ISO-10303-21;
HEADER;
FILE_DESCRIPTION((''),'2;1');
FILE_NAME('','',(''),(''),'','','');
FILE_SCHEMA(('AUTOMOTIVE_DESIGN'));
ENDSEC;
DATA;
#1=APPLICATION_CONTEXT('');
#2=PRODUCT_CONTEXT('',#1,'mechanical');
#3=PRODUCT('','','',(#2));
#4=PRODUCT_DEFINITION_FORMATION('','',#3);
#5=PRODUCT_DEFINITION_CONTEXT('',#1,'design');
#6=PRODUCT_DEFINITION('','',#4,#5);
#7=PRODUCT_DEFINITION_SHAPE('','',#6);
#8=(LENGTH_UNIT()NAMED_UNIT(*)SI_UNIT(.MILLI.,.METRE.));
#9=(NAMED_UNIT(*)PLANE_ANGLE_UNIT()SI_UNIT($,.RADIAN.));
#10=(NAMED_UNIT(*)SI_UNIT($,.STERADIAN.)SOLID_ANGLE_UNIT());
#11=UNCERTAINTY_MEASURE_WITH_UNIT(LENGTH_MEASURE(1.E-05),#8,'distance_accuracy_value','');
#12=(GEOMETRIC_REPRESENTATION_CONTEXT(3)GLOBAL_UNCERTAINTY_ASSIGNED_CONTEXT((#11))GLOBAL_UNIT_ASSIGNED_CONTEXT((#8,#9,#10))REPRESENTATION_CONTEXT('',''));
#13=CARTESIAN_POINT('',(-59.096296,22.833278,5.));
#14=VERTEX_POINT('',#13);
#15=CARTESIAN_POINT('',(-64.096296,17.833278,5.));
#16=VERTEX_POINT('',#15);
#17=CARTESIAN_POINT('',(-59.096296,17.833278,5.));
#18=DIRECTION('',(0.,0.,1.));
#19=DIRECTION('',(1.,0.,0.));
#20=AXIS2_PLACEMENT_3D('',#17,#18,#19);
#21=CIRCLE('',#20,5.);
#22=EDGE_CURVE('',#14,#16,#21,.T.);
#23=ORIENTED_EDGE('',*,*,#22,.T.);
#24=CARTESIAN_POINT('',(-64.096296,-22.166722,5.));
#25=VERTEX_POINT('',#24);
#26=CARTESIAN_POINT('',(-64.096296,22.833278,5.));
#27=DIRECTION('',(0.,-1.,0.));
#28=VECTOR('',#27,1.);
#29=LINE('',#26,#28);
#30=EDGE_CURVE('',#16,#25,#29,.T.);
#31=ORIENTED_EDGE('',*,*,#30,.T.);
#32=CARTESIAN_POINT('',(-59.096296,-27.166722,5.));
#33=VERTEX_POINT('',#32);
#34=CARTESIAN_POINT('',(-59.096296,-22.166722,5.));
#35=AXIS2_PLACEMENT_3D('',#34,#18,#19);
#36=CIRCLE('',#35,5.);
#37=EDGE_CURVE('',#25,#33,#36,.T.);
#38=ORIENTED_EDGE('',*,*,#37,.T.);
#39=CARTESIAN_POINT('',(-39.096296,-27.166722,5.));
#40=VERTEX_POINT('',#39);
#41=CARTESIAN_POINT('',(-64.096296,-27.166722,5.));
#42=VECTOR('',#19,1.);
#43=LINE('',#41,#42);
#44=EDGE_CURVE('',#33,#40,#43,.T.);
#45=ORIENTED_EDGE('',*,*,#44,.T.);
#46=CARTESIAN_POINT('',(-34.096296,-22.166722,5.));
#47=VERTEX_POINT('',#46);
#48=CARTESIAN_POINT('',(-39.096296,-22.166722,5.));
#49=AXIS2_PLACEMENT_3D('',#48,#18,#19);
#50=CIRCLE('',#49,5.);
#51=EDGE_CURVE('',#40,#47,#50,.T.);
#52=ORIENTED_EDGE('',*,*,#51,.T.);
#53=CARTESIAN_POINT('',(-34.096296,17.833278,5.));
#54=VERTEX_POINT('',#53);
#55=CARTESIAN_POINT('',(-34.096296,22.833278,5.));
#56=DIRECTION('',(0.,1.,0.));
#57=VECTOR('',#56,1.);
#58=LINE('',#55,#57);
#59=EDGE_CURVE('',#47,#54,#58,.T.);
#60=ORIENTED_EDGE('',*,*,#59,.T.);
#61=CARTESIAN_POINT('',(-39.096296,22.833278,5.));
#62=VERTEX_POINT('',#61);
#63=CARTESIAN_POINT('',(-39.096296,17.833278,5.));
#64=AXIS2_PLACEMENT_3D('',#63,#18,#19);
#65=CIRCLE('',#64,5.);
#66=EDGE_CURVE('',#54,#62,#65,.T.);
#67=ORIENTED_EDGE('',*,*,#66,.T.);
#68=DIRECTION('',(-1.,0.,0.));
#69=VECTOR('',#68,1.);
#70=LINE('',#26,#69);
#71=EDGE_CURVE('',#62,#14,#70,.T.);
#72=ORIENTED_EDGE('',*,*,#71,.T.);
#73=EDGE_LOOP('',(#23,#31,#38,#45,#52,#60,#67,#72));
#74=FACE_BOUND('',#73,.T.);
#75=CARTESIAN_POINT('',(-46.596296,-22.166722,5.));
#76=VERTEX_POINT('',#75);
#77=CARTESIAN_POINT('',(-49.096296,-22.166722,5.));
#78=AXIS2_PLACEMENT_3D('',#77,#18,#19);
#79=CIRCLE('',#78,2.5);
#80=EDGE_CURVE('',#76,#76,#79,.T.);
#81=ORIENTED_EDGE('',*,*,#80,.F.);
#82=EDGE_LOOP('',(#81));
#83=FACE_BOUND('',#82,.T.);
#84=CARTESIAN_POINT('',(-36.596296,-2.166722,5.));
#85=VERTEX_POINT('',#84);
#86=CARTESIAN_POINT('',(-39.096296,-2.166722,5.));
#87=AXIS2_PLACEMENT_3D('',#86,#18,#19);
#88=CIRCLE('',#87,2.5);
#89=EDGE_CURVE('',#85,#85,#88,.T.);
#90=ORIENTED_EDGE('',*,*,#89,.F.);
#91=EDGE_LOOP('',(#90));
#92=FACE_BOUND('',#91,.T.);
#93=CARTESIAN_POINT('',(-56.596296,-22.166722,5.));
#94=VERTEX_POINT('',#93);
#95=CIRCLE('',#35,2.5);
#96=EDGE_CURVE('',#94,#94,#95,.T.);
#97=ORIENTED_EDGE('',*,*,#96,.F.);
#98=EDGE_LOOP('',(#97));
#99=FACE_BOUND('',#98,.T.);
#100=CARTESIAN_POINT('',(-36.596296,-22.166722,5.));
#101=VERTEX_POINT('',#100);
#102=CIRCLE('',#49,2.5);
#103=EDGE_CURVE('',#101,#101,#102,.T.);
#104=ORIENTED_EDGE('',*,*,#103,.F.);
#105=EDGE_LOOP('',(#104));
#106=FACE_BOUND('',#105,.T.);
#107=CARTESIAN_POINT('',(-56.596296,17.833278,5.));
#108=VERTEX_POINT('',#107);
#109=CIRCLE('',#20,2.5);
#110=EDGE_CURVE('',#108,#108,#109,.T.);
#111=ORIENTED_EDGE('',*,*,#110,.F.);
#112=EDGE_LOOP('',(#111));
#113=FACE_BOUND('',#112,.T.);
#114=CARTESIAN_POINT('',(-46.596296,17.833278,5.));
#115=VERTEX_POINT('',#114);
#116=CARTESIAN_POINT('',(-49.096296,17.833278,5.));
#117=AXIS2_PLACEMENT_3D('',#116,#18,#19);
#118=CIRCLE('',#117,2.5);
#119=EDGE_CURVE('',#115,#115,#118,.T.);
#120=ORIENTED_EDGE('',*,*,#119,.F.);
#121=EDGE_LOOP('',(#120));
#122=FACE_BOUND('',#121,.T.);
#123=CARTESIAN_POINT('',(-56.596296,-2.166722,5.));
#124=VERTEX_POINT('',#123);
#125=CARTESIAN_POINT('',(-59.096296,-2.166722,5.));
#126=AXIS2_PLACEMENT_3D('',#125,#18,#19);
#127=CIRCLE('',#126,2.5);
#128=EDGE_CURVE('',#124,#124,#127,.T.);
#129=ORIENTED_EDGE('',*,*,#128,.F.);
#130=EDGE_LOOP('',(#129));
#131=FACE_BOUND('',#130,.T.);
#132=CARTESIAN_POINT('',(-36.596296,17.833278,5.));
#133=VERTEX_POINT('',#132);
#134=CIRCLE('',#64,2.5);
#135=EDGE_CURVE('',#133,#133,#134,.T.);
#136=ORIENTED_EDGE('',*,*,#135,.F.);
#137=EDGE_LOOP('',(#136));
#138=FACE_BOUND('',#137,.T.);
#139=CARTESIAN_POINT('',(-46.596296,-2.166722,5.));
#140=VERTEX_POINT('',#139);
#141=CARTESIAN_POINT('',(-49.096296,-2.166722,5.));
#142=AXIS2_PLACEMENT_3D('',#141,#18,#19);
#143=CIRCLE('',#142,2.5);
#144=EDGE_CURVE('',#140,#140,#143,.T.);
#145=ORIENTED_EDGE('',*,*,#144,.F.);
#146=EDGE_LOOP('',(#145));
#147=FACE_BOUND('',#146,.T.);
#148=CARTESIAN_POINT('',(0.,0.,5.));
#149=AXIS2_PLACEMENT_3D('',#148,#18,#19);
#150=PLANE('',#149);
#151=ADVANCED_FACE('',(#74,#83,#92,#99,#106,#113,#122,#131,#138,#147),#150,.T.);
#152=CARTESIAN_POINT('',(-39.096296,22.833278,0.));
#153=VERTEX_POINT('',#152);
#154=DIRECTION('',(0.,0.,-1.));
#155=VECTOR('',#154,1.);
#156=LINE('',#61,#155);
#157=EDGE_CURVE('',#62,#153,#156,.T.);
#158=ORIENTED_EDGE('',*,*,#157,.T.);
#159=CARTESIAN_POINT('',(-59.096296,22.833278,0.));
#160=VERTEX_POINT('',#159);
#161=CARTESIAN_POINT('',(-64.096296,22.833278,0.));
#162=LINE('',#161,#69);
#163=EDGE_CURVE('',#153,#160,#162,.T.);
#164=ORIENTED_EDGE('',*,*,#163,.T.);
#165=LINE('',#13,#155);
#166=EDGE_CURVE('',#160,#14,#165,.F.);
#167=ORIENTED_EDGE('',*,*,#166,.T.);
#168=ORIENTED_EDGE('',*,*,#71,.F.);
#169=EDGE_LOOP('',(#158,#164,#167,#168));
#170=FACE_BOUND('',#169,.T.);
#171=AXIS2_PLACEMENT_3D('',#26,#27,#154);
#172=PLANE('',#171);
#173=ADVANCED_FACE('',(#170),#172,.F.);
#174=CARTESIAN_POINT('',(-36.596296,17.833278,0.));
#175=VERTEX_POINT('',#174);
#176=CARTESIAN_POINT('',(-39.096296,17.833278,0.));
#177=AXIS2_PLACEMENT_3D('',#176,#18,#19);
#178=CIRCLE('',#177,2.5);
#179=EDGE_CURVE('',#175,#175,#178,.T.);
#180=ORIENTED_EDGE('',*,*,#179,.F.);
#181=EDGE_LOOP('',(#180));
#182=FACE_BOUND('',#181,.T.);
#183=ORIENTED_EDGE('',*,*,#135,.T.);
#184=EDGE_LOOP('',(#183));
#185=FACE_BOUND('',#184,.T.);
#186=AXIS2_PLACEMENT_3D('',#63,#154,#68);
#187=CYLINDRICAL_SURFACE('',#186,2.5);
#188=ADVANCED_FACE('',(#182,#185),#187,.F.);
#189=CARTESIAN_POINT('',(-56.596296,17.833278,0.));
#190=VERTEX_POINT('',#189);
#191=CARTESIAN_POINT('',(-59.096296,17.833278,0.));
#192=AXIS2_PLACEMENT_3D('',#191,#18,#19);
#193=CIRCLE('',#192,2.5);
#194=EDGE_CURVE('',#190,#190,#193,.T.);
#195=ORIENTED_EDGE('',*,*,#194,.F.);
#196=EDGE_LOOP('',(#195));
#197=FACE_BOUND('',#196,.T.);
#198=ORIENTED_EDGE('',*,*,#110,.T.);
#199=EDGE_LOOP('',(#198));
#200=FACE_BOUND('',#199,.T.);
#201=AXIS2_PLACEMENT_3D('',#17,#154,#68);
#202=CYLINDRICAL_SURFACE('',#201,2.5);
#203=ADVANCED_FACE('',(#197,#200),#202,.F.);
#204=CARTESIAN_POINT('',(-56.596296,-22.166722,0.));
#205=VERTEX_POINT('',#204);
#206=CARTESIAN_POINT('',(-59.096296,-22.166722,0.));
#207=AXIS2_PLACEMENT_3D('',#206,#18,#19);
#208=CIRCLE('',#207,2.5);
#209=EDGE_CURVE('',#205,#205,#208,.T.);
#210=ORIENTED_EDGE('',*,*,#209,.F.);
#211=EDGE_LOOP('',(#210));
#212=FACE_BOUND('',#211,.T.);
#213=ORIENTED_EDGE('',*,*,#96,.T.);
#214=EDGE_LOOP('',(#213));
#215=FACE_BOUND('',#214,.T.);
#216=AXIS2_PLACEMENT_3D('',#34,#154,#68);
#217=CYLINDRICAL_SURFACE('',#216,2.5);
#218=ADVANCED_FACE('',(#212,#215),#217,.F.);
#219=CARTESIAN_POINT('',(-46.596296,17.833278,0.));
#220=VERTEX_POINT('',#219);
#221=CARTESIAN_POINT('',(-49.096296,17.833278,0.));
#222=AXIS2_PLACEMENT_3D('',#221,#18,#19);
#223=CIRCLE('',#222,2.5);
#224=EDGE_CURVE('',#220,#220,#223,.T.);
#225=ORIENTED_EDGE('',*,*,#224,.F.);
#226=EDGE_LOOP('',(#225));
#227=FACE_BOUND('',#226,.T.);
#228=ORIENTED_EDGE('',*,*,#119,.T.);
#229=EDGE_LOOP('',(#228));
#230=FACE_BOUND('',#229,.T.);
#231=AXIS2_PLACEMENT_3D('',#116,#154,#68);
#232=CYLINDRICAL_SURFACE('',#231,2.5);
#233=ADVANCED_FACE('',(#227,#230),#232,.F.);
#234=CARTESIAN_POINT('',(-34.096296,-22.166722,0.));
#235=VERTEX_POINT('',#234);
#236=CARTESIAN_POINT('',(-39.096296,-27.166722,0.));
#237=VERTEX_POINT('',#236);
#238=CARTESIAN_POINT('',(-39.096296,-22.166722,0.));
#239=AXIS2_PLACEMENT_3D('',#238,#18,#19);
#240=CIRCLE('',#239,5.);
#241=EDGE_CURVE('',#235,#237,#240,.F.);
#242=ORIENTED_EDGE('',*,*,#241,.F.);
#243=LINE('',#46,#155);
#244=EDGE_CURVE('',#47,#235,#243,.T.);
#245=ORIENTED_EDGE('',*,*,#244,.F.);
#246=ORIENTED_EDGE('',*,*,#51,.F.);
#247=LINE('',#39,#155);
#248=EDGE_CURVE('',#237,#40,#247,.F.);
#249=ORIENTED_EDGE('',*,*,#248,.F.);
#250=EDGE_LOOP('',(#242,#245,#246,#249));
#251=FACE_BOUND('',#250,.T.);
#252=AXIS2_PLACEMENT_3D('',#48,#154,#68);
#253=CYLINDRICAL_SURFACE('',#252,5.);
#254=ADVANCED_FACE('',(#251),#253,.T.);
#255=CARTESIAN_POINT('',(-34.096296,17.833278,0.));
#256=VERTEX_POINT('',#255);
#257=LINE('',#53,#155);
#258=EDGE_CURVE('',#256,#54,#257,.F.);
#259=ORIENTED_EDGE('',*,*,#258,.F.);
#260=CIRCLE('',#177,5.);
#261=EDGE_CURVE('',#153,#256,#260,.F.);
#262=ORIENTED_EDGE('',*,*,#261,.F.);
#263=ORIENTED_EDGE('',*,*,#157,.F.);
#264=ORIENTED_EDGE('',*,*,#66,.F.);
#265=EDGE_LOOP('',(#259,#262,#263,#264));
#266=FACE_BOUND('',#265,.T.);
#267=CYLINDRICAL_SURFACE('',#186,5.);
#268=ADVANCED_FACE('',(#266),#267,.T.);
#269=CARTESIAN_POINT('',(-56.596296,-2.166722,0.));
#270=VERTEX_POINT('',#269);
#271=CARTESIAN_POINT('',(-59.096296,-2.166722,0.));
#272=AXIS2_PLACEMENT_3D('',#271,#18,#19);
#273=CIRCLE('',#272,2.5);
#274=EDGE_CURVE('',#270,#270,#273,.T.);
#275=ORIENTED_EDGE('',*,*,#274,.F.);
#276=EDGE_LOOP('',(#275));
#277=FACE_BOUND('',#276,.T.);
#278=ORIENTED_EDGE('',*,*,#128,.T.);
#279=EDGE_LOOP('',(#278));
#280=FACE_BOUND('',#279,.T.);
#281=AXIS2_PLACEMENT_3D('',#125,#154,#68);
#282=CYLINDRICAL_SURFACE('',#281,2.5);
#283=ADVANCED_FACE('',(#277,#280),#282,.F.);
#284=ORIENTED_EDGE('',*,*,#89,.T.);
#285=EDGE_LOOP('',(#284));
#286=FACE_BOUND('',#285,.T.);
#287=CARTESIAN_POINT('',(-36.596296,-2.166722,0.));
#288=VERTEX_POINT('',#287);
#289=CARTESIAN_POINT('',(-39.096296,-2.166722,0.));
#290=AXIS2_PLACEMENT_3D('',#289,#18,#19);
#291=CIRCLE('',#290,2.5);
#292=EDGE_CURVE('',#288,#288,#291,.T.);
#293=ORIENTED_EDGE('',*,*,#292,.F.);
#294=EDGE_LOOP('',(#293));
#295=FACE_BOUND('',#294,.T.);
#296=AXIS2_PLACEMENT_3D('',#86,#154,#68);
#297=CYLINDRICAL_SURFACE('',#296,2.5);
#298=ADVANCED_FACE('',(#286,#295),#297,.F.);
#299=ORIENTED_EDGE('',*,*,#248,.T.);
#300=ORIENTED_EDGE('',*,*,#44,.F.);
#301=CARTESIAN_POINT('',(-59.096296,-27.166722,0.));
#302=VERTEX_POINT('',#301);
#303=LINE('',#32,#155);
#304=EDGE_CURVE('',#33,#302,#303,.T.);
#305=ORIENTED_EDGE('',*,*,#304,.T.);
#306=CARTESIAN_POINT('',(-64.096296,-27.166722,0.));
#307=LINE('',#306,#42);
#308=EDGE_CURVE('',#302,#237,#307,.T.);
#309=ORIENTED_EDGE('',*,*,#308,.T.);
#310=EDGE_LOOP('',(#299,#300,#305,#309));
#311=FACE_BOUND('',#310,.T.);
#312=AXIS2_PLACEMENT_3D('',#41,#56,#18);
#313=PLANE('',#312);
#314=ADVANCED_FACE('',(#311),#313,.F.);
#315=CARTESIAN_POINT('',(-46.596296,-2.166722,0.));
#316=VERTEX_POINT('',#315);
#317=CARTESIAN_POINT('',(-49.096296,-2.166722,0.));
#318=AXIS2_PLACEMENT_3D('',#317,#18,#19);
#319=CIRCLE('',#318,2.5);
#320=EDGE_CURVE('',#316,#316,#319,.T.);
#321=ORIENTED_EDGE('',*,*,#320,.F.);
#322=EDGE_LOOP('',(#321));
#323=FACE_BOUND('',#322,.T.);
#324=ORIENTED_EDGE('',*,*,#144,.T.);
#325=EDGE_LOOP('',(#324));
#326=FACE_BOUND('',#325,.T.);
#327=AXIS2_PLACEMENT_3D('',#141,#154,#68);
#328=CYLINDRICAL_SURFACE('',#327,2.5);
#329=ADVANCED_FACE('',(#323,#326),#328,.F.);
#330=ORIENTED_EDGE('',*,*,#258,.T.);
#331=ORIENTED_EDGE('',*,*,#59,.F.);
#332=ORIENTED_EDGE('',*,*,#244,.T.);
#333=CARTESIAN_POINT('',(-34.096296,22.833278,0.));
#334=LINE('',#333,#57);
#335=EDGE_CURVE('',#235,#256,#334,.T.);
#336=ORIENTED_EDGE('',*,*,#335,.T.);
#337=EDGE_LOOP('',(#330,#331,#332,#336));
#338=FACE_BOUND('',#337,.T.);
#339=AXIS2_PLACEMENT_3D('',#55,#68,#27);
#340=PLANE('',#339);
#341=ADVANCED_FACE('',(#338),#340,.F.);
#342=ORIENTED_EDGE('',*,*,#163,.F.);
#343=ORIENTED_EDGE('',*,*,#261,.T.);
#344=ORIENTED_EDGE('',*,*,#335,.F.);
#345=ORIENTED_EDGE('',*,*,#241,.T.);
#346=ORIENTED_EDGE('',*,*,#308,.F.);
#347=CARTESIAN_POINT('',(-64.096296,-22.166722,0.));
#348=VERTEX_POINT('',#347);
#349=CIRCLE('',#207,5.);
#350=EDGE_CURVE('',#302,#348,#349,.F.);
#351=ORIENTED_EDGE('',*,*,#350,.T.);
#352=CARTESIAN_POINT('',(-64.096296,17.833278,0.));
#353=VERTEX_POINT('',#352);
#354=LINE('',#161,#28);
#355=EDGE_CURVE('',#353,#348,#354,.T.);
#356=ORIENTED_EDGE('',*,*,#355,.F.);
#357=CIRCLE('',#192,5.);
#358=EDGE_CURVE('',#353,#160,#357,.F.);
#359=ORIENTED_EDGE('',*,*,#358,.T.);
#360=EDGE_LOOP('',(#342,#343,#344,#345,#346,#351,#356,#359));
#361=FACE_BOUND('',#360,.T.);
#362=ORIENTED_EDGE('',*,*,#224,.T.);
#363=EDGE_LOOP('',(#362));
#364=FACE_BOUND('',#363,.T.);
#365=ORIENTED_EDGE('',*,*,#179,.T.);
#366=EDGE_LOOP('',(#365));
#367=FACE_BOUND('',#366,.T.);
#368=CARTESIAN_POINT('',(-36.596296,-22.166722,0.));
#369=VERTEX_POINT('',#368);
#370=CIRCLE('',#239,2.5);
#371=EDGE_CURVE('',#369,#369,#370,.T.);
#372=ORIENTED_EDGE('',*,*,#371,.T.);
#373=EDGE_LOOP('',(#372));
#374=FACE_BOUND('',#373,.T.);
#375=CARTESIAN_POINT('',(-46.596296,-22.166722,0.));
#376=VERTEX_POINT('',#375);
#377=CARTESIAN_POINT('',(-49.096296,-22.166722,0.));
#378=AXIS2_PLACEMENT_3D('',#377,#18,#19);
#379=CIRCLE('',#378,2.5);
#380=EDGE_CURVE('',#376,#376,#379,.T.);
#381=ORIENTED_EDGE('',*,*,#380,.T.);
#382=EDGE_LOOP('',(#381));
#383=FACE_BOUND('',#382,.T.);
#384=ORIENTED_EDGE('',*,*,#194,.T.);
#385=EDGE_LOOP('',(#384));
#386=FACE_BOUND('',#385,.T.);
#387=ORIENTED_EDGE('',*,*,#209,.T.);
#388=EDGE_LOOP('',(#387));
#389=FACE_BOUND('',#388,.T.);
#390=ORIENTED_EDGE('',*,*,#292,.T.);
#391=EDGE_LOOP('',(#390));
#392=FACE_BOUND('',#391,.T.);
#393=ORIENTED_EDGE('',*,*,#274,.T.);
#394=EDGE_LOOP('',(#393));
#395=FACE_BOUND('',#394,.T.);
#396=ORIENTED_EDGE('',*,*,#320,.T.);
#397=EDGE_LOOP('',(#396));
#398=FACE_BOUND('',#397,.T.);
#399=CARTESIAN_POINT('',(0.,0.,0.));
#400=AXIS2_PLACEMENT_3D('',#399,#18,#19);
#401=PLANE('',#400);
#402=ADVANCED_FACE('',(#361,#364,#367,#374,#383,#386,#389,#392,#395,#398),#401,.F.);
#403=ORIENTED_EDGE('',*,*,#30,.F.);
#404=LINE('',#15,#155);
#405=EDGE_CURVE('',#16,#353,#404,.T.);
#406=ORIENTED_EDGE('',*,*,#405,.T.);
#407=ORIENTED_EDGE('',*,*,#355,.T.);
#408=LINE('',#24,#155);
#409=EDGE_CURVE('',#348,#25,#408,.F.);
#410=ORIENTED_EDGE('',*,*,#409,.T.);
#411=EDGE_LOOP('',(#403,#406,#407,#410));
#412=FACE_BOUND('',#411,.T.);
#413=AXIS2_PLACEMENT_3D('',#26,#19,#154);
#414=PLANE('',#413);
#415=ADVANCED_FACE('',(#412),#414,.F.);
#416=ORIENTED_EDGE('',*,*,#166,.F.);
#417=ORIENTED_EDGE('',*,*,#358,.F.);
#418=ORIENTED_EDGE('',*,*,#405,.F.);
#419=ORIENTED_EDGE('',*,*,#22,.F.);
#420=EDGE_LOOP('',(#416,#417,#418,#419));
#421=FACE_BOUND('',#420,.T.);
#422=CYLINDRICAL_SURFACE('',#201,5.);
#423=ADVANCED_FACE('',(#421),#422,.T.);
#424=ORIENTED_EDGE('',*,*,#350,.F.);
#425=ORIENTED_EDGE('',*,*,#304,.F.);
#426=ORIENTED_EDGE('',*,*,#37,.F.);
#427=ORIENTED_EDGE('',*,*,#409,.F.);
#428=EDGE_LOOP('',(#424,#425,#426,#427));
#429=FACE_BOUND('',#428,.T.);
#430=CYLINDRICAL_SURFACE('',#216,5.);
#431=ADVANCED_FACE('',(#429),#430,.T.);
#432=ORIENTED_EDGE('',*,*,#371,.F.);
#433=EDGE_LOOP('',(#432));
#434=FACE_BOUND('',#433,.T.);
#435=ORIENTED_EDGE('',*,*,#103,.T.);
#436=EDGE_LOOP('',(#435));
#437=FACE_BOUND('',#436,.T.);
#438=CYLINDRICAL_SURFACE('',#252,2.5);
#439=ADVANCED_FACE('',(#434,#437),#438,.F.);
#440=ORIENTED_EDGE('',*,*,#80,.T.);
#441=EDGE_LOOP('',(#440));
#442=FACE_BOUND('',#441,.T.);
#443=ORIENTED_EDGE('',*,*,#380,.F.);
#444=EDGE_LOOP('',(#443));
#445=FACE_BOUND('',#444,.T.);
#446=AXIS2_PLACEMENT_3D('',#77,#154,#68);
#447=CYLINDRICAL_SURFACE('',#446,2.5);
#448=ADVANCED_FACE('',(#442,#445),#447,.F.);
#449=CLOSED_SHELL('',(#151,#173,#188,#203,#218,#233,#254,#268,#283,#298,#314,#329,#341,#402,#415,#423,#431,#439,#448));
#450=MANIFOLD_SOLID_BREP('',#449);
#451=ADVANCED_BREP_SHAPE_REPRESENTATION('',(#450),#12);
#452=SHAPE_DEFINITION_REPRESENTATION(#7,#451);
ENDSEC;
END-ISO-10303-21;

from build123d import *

# Parameters (mm, degrees)
IZIM1_W             = 30
IZIM1_H             = 50
IZIM1_R             = 2.5
BOSS_EXTRUDE1_DEPTH = 5
FILLET1_R           = 5


with BuildPart() as part:
    # Çizim1 → Boss-Extrude1 (new body)
    with BuildSketch(Plane.XY):
        with Locations((-49.096295608, -2.166722038)):
            Rectangle(IZIM1_W, IZIM1_H)
        with Locations((-59.096295608, 17.833277962)):
            Circle(IZIM1_R, mode=Mode.SUBTRACT)
        with Locations((-49.096295608, 17.833277962)):
            Circle(IZIM1_R, mode=Mode.SUBTRACT)
        with Locations((-39.096295608, 17.833277962)):
            Circle(IZIM1_R, mode=Mode.SUBTRACT)
        with Locations((-49.096295608, -2.166722038)):
            Circle(IZIM1_R, mode=Mode.SUBTRACT)
        with Locations((-39.096295608, -2.166722038)):
            Circle(IZIM1_R, mode=Mode.SUBTRACT)
        with Locations((-49.096295608, -22.166722038)):
            Circle(IZIM1_R, mode=Mode.SUBTRACT)
        with Locations((-39.096295608, -22.166722038)):
            Circle(IZIM1_R, mode=Mode.SUBTRACT)
        with Locations((-59.096295608, -2.166722038)):
            Circle(IZIM1_R, mode=Mode.SUBTRACT)
        with Locations((-59.096295608, -22.166722038)):
            Circle(IZIM1_R, mode=Mode.SUBTRACT)
    extrude(amount=BOSS_EXTRUDE1_DEPTH)

    # Fillet1
    fillet1_edges = [part.edges().sort_by_distance(p)[0] for p in [
        (-64.096295608, 22.833277962, 2.5),
        (-34.096295608, 22.833277962, 2.5),
        (-34.096295608, -27.166722038, 2.5),
        (-64.096295608, -27.166722038, 2.5),
    ]]
    fillet(fillet1_edges, radius=FILLET1_R)


solid = part.part
